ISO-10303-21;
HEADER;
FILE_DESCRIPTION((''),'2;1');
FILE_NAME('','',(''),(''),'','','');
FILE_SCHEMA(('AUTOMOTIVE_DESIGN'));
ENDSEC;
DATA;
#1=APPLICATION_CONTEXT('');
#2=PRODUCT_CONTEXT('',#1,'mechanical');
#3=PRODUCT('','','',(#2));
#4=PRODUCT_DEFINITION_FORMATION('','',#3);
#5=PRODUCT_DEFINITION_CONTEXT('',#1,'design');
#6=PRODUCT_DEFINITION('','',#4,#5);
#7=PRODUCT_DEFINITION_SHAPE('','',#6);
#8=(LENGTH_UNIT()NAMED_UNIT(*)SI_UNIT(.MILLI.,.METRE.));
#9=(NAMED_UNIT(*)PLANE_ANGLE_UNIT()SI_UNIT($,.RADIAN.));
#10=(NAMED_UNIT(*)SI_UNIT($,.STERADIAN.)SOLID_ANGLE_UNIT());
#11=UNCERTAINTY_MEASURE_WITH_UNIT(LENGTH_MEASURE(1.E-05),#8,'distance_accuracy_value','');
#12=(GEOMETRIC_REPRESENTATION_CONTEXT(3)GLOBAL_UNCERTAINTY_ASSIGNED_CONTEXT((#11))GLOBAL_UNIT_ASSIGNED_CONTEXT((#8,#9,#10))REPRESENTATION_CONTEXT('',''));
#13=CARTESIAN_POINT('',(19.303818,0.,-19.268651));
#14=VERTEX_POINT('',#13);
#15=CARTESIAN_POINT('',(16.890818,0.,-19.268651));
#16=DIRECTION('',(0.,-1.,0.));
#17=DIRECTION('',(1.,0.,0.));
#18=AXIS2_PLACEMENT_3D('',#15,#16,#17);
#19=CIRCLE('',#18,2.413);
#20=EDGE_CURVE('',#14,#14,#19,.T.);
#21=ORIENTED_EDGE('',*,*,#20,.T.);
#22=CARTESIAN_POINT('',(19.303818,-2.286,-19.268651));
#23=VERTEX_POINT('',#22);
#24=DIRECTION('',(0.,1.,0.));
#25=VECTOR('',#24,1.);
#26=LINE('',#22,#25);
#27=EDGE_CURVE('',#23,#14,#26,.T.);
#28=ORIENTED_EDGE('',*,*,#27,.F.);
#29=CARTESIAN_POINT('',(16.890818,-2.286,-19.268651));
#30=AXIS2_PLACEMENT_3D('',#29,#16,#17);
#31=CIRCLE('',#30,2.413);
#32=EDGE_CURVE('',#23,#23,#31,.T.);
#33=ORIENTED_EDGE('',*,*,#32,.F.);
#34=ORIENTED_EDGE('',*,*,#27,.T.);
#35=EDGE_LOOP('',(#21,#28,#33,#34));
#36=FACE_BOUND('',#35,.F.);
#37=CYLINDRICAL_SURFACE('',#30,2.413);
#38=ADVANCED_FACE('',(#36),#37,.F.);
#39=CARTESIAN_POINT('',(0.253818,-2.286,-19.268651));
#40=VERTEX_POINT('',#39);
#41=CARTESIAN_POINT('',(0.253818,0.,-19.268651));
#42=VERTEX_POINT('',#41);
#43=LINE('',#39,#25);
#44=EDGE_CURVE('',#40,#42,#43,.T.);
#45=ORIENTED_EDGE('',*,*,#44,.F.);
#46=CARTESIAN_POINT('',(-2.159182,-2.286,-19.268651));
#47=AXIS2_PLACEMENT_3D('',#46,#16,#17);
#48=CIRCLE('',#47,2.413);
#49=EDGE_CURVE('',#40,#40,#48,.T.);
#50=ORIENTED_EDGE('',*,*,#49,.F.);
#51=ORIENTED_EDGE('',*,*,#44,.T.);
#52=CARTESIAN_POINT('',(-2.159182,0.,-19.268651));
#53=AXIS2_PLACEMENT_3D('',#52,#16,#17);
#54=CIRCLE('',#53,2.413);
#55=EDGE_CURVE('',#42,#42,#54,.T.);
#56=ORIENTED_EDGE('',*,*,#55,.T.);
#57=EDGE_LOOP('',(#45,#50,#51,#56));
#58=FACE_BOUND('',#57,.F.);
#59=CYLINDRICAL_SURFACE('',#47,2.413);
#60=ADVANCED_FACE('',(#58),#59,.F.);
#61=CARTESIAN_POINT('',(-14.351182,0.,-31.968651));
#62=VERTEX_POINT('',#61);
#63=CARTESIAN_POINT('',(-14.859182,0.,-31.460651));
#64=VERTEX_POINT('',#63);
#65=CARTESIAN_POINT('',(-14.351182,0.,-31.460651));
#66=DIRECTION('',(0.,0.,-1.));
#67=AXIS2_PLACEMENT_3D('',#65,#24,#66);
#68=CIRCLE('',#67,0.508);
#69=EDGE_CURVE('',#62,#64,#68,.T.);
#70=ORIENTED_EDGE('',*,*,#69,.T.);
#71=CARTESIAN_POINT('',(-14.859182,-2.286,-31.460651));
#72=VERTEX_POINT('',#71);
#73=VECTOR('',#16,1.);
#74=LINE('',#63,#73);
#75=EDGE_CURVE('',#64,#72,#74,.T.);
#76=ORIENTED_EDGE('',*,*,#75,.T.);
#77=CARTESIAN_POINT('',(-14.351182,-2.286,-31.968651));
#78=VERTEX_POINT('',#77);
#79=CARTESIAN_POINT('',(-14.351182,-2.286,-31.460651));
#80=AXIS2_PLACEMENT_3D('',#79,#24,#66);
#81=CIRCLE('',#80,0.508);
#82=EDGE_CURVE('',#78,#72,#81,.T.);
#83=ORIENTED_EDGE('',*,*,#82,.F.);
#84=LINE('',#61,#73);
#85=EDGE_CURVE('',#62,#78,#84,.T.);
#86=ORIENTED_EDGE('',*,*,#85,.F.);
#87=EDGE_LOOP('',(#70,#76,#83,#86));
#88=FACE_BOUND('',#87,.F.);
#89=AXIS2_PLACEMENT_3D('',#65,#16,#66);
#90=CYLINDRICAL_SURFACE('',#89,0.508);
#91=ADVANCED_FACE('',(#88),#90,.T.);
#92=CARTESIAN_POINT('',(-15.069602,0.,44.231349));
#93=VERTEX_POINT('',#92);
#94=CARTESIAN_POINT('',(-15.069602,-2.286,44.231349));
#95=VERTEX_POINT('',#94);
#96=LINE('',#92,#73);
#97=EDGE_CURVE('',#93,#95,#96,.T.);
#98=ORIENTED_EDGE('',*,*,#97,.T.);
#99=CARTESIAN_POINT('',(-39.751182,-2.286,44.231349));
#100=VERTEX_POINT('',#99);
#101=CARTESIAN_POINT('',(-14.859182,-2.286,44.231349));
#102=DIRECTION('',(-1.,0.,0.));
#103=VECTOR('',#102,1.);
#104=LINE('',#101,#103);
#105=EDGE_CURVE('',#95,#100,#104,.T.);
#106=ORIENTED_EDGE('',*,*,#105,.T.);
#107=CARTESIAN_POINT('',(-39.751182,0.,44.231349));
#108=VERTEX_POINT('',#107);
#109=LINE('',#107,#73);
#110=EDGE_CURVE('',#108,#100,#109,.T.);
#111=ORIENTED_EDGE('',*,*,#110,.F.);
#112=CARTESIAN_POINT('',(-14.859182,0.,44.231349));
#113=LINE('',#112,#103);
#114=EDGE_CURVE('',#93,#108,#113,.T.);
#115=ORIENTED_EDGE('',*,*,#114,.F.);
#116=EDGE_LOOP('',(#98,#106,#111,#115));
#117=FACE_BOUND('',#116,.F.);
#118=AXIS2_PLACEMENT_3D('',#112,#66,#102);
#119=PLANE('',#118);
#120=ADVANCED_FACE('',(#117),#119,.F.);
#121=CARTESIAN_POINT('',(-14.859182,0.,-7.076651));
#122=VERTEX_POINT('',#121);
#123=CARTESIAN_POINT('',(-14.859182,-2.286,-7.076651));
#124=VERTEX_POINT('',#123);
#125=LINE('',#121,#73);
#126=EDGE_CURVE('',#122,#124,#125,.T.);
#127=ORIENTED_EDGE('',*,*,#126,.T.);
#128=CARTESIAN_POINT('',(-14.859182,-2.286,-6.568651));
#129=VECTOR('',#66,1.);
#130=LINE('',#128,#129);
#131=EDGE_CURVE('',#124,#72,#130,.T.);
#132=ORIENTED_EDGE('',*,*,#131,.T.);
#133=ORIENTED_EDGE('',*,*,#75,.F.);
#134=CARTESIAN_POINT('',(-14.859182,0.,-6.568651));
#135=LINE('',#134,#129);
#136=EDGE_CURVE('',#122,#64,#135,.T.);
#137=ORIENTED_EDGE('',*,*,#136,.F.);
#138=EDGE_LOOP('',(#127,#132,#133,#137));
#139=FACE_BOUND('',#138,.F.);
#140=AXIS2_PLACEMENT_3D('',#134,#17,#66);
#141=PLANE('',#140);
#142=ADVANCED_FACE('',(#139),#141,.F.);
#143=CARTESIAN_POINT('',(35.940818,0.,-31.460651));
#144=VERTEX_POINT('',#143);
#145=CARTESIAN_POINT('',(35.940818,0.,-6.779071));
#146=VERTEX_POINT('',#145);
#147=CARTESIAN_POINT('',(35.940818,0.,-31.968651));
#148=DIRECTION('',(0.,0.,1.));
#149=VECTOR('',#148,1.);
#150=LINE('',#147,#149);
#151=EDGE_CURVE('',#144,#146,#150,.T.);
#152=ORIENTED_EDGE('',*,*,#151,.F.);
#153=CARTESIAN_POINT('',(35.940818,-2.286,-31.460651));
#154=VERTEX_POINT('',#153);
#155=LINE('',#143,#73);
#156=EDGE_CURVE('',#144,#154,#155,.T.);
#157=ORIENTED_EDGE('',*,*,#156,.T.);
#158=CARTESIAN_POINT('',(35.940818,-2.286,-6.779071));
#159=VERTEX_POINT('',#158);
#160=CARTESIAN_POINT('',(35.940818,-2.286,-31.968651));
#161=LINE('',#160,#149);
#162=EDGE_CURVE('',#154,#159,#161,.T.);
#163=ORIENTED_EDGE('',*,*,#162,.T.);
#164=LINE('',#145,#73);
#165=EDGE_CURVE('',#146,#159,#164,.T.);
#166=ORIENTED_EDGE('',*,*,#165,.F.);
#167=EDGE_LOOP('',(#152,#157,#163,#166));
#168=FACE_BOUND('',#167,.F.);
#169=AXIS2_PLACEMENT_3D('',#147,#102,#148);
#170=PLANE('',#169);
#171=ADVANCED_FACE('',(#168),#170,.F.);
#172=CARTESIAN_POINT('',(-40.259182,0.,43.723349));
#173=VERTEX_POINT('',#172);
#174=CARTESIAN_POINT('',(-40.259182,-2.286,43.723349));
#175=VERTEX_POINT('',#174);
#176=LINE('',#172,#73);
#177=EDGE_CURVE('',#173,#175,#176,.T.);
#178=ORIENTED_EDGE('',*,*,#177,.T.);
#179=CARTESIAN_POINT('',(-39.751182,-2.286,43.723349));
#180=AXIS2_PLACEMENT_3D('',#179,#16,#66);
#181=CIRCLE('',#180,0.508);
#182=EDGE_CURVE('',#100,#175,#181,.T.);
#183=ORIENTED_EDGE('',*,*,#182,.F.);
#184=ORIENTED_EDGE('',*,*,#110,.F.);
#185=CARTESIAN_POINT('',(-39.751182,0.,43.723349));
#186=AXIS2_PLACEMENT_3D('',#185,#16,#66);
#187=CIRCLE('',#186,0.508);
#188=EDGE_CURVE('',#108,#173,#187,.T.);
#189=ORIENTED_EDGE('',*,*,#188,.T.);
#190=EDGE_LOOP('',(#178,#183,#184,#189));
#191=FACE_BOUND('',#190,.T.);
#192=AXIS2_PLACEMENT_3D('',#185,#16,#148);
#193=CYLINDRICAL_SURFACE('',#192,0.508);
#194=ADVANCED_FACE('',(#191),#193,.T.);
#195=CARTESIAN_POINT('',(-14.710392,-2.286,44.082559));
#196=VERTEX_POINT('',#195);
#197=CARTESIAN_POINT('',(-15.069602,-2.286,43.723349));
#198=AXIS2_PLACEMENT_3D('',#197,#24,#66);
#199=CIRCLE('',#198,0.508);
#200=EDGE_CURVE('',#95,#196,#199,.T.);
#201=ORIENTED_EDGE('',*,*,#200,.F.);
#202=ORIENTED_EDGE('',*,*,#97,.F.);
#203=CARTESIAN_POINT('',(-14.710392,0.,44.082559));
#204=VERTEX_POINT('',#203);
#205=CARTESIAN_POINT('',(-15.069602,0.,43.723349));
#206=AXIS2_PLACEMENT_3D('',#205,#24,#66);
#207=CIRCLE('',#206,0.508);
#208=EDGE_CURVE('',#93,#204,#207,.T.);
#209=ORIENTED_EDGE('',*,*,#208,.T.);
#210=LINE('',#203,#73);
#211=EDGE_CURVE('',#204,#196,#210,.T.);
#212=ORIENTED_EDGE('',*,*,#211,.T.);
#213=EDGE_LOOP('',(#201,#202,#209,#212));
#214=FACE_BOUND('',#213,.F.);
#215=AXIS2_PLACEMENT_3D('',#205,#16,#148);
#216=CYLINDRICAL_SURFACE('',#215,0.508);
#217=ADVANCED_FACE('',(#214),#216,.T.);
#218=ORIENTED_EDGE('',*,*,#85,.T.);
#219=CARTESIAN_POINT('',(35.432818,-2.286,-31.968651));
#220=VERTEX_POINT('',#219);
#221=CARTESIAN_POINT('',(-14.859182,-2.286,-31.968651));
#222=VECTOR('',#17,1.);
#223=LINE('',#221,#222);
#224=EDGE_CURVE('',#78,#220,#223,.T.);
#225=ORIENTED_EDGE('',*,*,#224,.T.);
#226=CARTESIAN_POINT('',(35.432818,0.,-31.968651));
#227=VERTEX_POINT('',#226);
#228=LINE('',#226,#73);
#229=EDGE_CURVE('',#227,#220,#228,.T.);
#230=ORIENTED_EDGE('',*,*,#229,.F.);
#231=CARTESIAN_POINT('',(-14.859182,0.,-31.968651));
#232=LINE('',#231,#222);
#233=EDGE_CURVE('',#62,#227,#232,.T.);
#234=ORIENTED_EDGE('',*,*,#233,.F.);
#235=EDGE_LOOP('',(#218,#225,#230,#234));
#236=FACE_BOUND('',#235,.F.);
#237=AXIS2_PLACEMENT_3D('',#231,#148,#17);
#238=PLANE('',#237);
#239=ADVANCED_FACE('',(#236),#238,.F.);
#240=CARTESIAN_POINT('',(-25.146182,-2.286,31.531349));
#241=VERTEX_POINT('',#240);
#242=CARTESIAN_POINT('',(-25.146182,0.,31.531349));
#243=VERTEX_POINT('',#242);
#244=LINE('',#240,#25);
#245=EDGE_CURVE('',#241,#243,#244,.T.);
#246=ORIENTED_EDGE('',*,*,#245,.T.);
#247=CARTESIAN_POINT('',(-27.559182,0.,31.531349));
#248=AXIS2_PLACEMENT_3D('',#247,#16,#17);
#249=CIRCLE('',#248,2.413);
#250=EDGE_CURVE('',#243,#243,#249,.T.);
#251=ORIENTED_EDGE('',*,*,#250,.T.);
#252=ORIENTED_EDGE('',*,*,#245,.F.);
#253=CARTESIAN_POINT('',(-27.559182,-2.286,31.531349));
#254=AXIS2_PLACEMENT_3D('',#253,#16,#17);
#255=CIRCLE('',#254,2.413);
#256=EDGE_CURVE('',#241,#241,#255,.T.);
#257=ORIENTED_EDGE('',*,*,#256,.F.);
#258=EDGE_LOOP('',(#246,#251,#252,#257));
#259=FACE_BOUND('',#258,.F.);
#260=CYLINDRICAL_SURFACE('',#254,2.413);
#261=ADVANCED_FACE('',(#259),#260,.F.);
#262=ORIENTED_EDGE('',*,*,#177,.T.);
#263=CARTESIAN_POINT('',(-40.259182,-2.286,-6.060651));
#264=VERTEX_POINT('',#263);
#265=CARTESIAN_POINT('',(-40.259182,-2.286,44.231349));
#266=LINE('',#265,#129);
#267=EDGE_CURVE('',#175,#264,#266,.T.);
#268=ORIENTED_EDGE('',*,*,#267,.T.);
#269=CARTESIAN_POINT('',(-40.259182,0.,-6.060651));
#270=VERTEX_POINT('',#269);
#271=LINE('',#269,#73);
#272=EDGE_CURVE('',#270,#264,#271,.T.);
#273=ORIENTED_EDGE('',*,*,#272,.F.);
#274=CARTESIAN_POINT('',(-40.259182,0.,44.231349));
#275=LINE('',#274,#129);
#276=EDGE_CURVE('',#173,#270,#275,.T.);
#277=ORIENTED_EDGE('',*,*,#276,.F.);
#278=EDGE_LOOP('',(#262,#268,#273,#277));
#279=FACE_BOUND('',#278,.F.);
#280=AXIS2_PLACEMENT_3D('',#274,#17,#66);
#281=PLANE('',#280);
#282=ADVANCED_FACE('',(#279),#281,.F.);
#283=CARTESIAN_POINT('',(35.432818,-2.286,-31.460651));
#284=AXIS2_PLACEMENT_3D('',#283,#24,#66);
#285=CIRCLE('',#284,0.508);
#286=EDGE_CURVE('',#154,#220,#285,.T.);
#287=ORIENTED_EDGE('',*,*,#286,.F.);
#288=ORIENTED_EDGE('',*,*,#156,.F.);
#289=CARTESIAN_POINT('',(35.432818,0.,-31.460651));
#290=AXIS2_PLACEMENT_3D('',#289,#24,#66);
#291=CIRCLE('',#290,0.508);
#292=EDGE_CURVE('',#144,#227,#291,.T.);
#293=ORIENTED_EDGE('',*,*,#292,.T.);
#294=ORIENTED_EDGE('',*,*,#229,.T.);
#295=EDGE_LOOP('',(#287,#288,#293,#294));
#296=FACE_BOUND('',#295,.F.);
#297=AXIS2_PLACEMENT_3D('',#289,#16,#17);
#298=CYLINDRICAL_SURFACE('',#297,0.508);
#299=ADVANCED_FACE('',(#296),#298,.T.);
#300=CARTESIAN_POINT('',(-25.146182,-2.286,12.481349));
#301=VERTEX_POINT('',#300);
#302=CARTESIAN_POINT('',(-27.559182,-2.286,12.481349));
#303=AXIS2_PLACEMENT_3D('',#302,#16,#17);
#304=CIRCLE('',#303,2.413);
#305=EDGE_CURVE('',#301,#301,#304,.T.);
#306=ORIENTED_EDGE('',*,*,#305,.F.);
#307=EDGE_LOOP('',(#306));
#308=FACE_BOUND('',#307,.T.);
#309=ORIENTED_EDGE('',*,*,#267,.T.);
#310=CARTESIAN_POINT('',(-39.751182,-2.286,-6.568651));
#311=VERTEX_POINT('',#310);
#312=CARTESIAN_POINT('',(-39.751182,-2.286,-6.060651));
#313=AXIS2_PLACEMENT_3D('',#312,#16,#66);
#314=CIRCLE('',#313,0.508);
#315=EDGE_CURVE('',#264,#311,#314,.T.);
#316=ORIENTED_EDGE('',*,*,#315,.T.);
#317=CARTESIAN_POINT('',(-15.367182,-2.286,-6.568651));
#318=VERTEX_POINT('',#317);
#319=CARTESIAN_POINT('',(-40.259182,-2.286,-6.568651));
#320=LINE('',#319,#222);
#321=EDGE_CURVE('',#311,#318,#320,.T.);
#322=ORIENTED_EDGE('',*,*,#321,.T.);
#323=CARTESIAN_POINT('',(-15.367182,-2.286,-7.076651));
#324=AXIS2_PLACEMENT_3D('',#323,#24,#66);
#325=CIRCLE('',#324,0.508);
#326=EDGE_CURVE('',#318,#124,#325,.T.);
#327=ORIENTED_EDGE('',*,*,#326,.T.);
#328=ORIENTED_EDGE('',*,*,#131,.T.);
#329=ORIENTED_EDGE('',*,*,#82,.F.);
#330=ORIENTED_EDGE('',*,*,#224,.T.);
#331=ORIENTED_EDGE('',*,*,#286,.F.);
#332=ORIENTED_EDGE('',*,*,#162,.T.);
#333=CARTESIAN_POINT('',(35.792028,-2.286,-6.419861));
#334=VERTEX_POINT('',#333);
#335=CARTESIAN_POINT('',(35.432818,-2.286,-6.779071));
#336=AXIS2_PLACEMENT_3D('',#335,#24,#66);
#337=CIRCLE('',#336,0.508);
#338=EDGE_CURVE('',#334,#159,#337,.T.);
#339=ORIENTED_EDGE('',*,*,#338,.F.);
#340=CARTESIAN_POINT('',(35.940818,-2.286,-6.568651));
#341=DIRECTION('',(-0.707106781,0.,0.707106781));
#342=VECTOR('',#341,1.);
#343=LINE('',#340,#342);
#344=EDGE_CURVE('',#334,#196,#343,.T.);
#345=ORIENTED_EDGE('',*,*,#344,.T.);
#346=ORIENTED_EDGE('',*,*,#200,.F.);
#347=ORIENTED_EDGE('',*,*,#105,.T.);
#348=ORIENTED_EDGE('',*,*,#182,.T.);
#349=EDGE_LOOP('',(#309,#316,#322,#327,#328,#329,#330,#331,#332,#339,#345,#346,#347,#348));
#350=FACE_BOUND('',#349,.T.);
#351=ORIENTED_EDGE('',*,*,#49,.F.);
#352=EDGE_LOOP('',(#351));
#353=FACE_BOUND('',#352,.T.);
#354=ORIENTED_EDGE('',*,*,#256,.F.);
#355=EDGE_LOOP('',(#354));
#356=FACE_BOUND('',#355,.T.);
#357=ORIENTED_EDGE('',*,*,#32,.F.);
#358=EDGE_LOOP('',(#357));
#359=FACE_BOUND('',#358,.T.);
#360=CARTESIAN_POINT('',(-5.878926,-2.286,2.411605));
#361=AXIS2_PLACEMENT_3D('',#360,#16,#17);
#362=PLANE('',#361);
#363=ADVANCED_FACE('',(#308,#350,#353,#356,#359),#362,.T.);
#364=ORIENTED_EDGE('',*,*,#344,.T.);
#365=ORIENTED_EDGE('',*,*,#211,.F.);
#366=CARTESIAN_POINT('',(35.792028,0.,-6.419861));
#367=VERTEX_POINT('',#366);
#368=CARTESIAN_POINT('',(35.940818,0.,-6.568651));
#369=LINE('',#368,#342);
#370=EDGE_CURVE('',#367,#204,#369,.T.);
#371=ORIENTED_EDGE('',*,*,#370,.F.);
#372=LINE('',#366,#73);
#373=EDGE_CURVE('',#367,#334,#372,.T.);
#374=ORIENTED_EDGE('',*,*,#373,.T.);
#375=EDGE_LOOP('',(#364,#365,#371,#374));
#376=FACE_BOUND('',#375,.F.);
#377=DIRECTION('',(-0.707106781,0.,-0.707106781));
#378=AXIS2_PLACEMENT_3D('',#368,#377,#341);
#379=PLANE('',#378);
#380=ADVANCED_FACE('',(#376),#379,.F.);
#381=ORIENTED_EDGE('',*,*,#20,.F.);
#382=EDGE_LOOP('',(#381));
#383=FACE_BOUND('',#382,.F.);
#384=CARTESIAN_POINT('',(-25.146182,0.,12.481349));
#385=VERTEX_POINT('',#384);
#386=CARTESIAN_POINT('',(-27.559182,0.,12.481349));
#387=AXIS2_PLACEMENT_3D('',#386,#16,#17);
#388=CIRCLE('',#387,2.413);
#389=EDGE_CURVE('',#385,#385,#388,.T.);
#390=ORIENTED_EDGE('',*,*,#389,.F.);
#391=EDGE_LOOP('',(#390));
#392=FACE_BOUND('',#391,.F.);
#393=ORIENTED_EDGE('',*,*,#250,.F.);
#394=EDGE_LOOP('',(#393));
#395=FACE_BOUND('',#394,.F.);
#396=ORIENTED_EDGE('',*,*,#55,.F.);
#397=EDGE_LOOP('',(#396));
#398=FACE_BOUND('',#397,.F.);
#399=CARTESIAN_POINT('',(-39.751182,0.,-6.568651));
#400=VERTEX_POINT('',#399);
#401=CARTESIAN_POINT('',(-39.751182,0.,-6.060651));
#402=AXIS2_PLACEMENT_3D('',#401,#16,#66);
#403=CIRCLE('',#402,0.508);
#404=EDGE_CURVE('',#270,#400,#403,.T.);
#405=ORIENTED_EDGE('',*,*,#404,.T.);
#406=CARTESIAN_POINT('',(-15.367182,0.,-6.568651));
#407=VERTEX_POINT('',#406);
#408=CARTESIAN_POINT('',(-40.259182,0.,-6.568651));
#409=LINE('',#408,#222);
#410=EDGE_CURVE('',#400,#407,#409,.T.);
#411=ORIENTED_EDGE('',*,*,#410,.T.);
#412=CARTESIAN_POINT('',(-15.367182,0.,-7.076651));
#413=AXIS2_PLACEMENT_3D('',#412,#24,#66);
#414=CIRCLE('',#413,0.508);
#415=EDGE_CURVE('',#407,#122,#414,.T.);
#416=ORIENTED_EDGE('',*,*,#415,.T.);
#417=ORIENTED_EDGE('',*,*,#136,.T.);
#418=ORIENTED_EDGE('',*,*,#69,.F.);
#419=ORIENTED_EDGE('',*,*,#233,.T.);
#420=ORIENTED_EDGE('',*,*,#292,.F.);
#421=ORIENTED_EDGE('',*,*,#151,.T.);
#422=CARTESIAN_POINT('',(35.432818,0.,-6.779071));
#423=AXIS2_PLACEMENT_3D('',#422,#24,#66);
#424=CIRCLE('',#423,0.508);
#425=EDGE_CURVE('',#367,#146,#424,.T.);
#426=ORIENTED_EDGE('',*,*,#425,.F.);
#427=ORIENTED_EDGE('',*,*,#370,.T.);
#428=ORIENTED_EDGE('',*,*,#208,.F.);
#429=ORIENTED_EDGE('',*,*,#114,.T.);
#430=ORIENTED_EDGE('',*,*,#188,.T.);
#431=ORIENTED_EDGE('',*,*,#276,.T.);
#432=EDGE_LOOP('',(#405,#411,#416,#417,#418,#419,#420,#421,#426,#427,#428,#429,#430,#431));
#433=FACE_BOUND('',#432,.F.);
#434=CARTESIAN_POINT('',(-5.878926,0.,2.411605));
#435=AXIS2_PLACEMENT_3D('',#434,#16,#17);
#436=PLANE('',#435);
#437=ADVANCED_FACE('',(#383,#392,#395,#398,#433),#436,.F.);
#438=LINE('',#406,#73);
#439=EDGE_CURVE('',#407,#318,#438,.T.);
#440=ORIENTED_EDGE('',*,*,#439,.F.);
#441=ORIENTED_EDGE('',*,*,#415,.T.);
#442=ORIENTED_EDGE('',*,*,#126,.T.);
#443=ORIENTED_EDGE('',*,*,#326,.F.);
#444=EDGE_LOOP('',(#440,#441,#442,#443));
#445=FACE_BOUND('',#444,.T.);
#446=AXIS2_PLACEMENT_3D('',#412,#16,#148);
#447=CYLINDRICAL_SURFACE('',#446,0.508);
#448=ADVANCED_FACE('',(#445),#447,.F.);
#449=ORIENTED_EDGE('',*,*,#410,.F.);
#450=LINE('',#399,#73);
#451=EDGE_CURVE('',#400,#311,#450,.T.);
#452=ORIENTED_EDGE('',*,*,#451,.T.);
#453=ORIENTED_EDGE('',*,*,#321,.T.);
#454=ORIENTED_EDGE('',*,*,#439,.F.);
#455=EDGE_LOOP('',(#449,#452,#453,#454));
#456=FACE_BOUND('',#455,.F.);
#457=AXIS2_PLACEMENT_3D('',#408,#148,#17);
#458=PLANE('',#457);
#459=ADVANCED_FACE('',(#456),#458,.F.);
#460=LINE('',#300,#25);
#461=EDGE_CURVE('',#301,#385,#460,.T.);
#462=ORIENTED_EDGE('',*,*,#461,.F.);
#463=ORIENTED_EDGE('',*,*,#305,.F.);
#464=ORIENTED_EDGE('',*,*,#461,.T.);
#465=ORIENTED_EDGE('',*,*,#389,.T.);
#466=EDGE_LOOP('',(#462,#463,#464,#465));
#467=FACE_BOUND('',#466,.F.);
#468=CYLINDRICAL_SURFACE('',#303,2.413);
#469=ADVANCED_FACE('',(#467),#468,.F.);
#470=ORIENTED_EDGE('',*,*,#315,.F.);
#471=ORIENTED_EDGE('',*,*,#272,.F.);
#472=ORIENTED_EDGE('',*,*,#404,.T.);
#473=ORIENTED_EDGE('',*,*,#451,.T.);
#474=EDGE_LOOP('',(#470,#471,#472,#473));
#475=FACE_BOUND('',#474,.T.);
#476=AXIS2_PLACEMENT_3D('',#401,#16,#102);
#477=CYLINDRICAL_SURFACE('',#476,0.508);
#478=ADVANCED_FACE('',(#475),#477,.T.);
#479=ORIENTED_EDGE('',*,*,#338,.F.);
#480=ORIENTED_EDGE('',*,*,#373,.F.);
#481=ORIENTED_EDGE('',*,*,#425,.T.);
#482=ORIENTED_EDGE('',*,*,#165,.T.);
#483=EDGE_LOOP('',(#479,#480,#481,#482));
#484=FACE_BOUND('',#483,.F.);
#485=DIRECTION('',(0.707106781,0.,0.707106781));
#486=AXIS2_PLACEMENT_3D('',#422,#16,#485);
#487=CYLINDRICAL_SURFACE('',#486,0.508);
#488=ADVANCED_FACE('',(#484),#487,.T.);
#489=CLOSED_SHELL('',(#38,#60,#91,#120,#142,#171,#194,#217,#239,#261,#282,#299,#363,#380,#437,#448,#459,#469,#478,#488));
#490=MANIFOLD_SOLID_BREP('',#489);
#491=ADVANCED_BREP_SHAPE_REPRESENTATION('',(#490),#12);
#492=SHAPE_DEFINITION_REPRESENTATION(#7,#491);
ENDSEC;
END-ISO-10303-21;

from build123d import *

# Parameters (mm, degrees)
F1_DEPTH = 2.286
F2_R     = 2.413
F3_DEPTH = 2.286
F4_R     = 0.508


with BuildPart() as f1:
    # F0 (on Front) → F1 (new body)
    with BuildSketch(Plane.XZ):
        Polygon((-14.859182, 44.231349), (-40.259182, 44.231349), (-40.259182, -6.568651), (-14.859182, -6.568651), (-14.859182, -31.968651), (35.940818, -31.968651), (35.940818, -6.568651), align=None)
    extrude(amount=F1_DEPTH)

    # F2 (on face) → F3 (cut)
    with BuildSketch(Plane.XZ.offset(2.286)):
        with Locations((-27.559182, 31.531349)):
            Circle(F2_R)
        with Locations((-27.559182, 12.481349)):
            Circle(F2_R)
        with Locations((-2.159182, -19.268651)):
            Circle(F2_R)
        with Locations((16.890818, -19.268651)):
            Circle(F2_R)
    extrude(amount=-F3_DEPTH, mode=Mode.SUBTRACT)

    # F4
    f4_edges = [f1.edges().sort_by_distance(p)[0] for p in [
        (-40.259182, -1.143, 44.231349),
        (-40.259182, -1.143, -6.568651),
        (-14.859182, -1.143, -31.968651),
        (-14.859182, -1.143, -6.568651),
        (35.940818, -1.143, -31.968651),
        (35.940818, -1.143, -6.568651),
        (-14.859182, -1.143, 44.231349),
    ]]
    fillet(f4_edges, radius=F4_R)


solid = f1.part
